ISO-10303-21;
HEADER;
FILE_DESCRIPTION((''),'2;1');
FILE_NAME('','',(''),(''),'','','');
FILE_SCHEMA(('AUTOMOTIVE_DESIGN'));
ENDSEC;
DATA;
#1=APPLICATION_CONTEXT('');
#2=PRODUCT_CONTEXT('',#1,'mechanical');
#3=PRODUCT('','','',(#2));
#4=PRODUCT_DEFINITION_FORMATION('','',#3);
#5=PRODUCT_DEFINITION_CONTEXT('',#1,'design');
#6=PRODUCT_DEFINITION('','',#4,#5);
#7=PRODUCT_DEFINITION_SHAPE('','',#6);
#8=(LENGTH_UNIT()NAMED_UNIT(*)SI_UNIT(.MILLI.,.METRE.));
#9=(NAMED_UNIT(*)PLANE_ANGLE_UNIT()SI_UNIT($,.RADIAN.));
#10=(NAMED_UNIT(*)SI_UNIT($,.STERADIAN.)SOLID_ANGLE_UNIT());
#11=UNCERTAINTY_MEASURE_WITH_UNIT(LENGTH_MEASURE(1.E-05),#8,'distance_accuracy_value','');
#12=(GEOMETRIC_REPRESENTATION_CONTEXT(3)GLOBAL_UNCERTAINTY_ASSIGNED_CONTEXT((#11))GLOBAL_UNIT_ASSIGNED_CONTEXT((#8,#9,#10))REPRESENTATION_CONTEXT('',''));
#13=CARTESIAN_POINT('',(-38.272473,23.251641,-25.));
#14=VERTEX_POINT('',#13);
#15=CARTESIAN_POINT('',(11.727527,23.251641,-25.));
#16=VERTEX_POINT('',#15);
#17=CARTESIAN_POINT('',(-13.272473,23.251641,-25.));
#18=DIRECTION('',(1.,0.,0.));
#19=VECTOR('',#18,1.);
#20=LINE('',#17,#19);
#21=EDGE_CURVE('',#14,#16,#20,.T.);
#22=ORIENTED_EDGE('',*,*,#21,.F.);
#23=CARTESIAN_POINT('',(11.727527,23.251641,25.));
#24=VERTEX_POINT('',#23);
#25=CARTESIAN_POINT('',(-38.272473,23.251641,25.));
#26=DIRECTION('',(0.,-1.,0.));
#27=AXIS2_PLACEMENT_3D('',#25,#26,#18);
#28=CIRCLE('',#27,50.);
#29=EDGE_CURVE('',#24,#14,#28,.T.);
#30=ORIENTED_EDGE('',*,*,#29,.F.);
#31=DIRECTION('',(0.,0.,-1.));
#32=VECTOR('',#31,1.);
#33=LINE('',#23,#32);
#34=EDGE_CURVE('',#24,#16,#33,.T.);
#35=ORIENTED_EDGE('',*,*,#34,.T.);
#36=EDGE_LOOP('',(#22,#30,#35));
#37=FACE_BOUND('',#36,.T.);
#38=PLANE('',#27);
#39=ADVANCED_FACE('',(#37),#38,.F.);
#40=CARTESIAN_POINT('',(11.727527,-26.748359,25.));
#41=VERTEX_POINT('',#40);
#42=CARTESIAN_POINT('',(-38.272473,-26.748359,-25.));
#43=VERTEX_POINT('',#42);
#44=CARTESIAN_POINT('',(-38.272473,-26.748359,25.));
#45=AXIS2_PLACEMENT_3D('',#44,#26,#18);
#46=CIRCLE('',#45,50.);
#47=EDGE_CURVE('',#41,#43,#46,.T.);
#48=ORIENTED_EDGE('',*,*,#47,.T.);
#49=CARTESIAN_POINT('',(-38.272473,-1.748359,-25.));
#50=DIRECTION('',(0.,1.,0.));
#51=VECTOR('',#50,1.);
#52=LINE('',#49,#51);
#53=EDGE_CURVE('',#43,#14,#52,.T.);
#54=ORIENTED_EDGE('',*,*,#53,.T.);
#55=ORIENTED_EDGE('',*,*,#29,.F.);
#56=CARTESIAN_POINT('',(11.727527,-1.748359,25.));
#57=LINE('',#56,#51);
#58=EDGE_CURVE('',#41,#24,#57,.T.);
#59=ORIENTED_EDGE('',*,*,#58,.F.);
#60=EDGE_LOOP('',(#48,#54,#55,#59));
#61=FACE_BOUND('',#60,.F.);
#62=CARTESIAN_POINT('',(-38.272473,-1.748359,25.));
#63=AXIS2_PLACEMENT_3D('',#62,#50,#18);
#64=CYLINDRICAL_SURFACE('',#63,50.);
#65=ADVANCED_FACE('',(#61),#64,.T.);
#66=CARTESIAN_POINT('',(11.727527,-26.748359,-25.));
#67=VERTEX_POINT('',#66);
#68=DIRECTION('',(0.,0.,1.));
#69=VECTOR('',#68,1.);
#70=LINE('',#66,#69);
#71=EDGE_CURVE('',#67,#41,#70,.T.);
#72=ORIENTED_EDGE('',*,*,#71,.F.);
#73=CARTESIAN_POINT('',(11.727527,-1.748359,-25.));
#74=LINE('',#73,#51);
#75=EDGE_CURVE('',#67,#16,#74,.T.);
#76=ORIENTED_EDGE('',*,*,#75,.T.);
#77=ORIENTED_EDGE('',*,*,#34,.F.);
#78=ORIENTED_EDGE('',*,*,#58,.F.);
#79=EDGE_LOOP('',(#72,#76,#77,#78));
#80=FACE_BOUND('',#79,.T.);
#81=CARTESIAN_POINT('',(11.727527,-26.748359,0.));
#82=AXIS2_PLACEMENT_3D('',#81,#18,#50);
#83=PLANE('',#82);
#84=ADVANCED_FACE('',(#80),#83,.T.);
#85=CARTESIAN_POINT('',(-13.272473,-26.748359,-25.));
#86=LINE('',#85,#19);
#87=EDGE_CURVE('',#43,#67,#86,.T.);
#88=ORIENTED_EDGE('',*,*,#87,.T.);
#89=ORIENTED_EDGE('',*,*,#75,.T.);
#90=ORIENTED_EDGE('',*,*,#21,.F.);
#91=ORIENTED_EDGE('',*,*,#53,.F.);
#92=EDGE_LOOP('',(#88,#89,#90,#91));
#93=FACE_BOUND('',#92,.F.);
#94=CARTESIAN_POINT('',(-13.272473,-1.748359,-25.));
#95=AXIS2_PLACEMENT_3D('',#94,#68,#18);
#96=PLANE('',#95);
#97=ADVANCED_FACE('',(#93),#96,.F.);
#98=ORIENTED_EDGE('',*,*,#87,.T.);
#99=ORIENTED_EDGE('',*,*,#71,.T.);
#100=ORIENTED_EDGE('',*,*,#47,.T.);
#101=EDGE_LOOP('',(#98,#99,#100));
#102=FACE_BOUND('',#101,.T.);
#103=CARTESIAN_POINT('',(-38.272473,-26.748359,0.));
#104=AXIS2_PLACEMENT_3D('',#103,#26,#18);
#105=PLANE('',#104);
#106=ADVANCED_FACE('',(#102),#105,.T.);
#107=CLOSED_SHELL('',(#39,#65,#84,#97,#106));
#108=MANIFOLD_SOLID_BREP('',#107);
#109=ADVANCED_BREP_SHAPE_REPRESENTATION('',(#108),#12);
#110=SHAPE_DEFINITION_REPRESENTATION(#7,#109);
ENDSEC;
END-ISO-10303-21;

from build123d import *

# Parameters (mm, degrees)
F0_W      = 50
F0_H      = 50
F1_DEPTH  = 25
F1_FACE_W = 50
F1_FACE_H = 50


with BuildPart() as f1:
    # F0 (on Top) → F1 (new body, symmetric)
    with BuildSketch(Plane.XY):
        with Locations((-13.272473, -1.748359)):
            Rectangle(F0_W, F0_H)
    extrude(amount=F1_DEPTH, both=True)

    # F1_face (on face) → F2 (revolve)
    with BuildSketch(Plane(origin=(-13.272473, -1.748359, 25), x_dir=(1, 0, 0), z_dir=(0, 0, 1))):
        Rectangle(F1_FACE_W, F1_FACE_H)
    revolve(axis=Axis((-38.272473, -1.748359, 25), (0, -1, 0)))


solid = f1.part
